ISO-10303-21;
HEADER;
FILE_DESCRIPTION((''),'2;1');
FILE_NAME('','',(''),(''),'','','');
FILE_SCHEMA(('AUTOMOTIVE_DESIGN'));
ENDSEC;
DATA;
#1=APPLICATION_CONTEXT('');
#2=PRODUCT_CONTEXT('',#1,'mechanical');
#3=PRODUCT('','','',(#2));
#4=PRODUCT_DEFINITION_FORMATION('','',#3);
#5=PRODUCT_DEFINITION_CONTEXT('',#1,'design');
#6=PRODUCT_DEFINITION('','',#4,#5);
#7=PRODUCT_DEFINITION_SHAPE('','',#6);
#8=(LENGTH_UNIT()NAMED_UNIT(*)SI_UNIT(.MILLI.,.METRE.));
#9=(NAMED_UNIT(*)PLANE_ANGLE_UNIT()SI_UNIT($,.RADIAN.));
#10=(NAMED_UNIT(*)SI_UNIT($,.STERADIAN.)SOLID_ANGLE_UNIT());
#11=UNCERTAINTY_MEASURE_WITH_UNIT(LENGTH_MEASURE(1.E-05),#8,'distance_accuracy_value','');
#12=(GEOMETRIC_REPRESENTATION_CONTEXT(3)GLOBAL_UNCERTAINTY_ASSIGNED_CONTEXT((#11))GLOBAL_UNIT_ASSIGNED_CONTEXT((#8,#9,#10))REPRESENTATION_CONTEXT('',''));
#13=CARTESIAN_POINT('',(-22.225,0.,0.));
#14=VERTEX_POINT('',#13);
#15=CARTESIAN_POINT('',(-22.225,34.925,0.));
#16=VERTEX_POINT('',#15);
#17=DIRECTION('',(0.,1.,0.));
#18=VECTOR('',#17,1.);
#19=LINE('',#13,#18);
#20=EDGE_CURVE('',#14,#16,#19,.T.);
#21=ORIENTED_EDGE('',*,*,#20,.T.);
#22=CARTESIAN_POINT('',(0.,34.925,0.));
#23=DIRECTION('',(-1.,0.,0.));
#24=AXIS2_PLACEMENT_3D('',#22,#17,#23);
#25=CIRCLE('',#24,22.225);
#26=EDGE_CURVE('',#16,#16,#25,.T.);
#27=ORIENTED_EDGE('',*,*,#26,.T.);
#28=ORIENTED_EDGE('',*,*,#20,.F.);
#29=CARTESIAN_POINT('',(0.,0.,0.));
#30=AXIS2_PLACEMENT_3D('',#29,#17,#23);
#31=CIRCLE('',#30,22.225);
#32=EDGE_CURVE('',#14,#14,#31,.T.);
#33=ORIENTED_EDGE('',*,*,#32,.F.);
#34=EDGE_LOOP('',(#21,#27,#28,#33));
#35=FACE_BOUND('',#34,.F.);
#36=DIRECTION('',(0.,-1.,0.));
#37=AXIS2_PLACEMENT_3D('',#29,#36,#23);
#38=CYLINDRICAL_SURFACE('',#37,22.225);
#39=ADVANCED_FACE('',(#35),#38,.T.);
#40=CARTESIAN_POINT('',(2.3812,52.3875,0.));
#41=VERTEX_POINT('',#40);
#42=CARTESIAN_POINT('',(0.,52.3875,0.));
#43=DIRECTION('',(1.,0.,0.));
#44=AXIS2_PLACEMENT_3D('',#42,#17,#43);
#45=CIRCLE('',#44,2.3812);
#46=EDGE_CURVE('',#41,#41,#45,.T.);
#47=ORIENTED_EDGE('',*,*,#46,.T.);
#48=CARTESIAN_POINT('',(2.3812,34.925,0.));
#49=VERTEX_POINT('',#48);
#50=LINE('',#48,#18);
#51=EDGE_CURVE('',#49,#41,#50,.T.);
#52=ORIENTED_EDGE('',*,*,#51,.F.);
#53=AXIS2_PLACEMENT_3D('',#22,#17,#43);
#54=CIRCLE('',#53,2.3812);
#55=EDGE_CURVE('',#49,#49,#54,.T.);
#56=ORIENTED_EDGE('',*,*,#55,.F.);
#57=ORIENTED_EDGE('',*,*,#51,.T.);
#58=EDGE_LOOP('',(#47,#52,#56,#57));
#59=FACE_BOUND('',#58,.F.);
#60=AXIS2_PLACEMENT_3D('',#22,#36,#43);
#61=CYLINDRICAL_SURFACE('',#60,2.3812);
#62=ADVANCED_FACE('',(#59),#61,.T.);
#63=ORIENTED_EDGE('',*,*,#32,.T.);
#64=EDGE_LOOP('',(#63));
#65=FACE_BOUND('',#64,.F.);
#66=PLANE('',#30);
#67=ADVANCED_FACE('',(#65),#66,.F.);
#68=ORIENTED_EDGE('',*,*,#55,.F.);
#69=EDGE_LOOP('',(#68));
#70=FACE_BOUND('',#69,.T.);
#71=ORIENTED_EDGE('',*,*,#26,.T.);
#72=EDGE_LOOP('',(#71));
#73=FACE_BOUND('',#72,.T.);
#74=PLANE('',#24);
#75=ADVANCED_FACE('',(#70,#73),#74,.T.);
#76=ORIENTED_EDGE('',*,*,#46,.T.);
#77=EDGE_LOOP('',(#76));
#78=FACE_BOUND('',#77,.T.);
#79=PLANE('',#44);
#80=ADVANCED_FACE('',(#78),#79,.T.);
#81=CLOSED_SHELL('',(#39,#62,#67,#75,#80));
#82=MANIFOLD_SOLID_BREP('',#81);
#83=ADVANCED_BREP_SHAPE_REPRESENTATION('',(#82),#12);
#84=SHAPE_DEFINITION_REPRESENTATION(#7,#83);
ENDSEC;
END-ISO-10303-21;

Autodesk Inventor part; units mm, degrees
ref_plane "YZ Plane" through (0, 0, 0) normal (1, 0, 0) x (0, 1, 0)
ref_plane "XZ Plane" through (0, 0, 0) normal (0, 1, 0) x (-1, 0, 0)
ref_plane "XY Plane" through (0, 0, 0) normal (0, 0, 1) x (1, 0, 0)
sketch "Sketch1" plane through (0, 0, 0) normal (0, 1, 0) x (-1, 0, 0)
  circle A0 centre (0, 0) radius 22.225
  dimension "d0" = 44.45
extrude "Extrusion1" add sketch "Sketch1" along normal blind 34.925
sketch "Sketch2" plane through (0, 34.925, 0) normal (0, 1, 0) x (1, 0, 0)
  circle A0 centre (0, 0) radius 2.3812
  dimension "d3" = 4.7625
extrude "Extrusion2" add sketch "Sketch2" along normal blind 17.4625
properties part number "HudsonRoller"
